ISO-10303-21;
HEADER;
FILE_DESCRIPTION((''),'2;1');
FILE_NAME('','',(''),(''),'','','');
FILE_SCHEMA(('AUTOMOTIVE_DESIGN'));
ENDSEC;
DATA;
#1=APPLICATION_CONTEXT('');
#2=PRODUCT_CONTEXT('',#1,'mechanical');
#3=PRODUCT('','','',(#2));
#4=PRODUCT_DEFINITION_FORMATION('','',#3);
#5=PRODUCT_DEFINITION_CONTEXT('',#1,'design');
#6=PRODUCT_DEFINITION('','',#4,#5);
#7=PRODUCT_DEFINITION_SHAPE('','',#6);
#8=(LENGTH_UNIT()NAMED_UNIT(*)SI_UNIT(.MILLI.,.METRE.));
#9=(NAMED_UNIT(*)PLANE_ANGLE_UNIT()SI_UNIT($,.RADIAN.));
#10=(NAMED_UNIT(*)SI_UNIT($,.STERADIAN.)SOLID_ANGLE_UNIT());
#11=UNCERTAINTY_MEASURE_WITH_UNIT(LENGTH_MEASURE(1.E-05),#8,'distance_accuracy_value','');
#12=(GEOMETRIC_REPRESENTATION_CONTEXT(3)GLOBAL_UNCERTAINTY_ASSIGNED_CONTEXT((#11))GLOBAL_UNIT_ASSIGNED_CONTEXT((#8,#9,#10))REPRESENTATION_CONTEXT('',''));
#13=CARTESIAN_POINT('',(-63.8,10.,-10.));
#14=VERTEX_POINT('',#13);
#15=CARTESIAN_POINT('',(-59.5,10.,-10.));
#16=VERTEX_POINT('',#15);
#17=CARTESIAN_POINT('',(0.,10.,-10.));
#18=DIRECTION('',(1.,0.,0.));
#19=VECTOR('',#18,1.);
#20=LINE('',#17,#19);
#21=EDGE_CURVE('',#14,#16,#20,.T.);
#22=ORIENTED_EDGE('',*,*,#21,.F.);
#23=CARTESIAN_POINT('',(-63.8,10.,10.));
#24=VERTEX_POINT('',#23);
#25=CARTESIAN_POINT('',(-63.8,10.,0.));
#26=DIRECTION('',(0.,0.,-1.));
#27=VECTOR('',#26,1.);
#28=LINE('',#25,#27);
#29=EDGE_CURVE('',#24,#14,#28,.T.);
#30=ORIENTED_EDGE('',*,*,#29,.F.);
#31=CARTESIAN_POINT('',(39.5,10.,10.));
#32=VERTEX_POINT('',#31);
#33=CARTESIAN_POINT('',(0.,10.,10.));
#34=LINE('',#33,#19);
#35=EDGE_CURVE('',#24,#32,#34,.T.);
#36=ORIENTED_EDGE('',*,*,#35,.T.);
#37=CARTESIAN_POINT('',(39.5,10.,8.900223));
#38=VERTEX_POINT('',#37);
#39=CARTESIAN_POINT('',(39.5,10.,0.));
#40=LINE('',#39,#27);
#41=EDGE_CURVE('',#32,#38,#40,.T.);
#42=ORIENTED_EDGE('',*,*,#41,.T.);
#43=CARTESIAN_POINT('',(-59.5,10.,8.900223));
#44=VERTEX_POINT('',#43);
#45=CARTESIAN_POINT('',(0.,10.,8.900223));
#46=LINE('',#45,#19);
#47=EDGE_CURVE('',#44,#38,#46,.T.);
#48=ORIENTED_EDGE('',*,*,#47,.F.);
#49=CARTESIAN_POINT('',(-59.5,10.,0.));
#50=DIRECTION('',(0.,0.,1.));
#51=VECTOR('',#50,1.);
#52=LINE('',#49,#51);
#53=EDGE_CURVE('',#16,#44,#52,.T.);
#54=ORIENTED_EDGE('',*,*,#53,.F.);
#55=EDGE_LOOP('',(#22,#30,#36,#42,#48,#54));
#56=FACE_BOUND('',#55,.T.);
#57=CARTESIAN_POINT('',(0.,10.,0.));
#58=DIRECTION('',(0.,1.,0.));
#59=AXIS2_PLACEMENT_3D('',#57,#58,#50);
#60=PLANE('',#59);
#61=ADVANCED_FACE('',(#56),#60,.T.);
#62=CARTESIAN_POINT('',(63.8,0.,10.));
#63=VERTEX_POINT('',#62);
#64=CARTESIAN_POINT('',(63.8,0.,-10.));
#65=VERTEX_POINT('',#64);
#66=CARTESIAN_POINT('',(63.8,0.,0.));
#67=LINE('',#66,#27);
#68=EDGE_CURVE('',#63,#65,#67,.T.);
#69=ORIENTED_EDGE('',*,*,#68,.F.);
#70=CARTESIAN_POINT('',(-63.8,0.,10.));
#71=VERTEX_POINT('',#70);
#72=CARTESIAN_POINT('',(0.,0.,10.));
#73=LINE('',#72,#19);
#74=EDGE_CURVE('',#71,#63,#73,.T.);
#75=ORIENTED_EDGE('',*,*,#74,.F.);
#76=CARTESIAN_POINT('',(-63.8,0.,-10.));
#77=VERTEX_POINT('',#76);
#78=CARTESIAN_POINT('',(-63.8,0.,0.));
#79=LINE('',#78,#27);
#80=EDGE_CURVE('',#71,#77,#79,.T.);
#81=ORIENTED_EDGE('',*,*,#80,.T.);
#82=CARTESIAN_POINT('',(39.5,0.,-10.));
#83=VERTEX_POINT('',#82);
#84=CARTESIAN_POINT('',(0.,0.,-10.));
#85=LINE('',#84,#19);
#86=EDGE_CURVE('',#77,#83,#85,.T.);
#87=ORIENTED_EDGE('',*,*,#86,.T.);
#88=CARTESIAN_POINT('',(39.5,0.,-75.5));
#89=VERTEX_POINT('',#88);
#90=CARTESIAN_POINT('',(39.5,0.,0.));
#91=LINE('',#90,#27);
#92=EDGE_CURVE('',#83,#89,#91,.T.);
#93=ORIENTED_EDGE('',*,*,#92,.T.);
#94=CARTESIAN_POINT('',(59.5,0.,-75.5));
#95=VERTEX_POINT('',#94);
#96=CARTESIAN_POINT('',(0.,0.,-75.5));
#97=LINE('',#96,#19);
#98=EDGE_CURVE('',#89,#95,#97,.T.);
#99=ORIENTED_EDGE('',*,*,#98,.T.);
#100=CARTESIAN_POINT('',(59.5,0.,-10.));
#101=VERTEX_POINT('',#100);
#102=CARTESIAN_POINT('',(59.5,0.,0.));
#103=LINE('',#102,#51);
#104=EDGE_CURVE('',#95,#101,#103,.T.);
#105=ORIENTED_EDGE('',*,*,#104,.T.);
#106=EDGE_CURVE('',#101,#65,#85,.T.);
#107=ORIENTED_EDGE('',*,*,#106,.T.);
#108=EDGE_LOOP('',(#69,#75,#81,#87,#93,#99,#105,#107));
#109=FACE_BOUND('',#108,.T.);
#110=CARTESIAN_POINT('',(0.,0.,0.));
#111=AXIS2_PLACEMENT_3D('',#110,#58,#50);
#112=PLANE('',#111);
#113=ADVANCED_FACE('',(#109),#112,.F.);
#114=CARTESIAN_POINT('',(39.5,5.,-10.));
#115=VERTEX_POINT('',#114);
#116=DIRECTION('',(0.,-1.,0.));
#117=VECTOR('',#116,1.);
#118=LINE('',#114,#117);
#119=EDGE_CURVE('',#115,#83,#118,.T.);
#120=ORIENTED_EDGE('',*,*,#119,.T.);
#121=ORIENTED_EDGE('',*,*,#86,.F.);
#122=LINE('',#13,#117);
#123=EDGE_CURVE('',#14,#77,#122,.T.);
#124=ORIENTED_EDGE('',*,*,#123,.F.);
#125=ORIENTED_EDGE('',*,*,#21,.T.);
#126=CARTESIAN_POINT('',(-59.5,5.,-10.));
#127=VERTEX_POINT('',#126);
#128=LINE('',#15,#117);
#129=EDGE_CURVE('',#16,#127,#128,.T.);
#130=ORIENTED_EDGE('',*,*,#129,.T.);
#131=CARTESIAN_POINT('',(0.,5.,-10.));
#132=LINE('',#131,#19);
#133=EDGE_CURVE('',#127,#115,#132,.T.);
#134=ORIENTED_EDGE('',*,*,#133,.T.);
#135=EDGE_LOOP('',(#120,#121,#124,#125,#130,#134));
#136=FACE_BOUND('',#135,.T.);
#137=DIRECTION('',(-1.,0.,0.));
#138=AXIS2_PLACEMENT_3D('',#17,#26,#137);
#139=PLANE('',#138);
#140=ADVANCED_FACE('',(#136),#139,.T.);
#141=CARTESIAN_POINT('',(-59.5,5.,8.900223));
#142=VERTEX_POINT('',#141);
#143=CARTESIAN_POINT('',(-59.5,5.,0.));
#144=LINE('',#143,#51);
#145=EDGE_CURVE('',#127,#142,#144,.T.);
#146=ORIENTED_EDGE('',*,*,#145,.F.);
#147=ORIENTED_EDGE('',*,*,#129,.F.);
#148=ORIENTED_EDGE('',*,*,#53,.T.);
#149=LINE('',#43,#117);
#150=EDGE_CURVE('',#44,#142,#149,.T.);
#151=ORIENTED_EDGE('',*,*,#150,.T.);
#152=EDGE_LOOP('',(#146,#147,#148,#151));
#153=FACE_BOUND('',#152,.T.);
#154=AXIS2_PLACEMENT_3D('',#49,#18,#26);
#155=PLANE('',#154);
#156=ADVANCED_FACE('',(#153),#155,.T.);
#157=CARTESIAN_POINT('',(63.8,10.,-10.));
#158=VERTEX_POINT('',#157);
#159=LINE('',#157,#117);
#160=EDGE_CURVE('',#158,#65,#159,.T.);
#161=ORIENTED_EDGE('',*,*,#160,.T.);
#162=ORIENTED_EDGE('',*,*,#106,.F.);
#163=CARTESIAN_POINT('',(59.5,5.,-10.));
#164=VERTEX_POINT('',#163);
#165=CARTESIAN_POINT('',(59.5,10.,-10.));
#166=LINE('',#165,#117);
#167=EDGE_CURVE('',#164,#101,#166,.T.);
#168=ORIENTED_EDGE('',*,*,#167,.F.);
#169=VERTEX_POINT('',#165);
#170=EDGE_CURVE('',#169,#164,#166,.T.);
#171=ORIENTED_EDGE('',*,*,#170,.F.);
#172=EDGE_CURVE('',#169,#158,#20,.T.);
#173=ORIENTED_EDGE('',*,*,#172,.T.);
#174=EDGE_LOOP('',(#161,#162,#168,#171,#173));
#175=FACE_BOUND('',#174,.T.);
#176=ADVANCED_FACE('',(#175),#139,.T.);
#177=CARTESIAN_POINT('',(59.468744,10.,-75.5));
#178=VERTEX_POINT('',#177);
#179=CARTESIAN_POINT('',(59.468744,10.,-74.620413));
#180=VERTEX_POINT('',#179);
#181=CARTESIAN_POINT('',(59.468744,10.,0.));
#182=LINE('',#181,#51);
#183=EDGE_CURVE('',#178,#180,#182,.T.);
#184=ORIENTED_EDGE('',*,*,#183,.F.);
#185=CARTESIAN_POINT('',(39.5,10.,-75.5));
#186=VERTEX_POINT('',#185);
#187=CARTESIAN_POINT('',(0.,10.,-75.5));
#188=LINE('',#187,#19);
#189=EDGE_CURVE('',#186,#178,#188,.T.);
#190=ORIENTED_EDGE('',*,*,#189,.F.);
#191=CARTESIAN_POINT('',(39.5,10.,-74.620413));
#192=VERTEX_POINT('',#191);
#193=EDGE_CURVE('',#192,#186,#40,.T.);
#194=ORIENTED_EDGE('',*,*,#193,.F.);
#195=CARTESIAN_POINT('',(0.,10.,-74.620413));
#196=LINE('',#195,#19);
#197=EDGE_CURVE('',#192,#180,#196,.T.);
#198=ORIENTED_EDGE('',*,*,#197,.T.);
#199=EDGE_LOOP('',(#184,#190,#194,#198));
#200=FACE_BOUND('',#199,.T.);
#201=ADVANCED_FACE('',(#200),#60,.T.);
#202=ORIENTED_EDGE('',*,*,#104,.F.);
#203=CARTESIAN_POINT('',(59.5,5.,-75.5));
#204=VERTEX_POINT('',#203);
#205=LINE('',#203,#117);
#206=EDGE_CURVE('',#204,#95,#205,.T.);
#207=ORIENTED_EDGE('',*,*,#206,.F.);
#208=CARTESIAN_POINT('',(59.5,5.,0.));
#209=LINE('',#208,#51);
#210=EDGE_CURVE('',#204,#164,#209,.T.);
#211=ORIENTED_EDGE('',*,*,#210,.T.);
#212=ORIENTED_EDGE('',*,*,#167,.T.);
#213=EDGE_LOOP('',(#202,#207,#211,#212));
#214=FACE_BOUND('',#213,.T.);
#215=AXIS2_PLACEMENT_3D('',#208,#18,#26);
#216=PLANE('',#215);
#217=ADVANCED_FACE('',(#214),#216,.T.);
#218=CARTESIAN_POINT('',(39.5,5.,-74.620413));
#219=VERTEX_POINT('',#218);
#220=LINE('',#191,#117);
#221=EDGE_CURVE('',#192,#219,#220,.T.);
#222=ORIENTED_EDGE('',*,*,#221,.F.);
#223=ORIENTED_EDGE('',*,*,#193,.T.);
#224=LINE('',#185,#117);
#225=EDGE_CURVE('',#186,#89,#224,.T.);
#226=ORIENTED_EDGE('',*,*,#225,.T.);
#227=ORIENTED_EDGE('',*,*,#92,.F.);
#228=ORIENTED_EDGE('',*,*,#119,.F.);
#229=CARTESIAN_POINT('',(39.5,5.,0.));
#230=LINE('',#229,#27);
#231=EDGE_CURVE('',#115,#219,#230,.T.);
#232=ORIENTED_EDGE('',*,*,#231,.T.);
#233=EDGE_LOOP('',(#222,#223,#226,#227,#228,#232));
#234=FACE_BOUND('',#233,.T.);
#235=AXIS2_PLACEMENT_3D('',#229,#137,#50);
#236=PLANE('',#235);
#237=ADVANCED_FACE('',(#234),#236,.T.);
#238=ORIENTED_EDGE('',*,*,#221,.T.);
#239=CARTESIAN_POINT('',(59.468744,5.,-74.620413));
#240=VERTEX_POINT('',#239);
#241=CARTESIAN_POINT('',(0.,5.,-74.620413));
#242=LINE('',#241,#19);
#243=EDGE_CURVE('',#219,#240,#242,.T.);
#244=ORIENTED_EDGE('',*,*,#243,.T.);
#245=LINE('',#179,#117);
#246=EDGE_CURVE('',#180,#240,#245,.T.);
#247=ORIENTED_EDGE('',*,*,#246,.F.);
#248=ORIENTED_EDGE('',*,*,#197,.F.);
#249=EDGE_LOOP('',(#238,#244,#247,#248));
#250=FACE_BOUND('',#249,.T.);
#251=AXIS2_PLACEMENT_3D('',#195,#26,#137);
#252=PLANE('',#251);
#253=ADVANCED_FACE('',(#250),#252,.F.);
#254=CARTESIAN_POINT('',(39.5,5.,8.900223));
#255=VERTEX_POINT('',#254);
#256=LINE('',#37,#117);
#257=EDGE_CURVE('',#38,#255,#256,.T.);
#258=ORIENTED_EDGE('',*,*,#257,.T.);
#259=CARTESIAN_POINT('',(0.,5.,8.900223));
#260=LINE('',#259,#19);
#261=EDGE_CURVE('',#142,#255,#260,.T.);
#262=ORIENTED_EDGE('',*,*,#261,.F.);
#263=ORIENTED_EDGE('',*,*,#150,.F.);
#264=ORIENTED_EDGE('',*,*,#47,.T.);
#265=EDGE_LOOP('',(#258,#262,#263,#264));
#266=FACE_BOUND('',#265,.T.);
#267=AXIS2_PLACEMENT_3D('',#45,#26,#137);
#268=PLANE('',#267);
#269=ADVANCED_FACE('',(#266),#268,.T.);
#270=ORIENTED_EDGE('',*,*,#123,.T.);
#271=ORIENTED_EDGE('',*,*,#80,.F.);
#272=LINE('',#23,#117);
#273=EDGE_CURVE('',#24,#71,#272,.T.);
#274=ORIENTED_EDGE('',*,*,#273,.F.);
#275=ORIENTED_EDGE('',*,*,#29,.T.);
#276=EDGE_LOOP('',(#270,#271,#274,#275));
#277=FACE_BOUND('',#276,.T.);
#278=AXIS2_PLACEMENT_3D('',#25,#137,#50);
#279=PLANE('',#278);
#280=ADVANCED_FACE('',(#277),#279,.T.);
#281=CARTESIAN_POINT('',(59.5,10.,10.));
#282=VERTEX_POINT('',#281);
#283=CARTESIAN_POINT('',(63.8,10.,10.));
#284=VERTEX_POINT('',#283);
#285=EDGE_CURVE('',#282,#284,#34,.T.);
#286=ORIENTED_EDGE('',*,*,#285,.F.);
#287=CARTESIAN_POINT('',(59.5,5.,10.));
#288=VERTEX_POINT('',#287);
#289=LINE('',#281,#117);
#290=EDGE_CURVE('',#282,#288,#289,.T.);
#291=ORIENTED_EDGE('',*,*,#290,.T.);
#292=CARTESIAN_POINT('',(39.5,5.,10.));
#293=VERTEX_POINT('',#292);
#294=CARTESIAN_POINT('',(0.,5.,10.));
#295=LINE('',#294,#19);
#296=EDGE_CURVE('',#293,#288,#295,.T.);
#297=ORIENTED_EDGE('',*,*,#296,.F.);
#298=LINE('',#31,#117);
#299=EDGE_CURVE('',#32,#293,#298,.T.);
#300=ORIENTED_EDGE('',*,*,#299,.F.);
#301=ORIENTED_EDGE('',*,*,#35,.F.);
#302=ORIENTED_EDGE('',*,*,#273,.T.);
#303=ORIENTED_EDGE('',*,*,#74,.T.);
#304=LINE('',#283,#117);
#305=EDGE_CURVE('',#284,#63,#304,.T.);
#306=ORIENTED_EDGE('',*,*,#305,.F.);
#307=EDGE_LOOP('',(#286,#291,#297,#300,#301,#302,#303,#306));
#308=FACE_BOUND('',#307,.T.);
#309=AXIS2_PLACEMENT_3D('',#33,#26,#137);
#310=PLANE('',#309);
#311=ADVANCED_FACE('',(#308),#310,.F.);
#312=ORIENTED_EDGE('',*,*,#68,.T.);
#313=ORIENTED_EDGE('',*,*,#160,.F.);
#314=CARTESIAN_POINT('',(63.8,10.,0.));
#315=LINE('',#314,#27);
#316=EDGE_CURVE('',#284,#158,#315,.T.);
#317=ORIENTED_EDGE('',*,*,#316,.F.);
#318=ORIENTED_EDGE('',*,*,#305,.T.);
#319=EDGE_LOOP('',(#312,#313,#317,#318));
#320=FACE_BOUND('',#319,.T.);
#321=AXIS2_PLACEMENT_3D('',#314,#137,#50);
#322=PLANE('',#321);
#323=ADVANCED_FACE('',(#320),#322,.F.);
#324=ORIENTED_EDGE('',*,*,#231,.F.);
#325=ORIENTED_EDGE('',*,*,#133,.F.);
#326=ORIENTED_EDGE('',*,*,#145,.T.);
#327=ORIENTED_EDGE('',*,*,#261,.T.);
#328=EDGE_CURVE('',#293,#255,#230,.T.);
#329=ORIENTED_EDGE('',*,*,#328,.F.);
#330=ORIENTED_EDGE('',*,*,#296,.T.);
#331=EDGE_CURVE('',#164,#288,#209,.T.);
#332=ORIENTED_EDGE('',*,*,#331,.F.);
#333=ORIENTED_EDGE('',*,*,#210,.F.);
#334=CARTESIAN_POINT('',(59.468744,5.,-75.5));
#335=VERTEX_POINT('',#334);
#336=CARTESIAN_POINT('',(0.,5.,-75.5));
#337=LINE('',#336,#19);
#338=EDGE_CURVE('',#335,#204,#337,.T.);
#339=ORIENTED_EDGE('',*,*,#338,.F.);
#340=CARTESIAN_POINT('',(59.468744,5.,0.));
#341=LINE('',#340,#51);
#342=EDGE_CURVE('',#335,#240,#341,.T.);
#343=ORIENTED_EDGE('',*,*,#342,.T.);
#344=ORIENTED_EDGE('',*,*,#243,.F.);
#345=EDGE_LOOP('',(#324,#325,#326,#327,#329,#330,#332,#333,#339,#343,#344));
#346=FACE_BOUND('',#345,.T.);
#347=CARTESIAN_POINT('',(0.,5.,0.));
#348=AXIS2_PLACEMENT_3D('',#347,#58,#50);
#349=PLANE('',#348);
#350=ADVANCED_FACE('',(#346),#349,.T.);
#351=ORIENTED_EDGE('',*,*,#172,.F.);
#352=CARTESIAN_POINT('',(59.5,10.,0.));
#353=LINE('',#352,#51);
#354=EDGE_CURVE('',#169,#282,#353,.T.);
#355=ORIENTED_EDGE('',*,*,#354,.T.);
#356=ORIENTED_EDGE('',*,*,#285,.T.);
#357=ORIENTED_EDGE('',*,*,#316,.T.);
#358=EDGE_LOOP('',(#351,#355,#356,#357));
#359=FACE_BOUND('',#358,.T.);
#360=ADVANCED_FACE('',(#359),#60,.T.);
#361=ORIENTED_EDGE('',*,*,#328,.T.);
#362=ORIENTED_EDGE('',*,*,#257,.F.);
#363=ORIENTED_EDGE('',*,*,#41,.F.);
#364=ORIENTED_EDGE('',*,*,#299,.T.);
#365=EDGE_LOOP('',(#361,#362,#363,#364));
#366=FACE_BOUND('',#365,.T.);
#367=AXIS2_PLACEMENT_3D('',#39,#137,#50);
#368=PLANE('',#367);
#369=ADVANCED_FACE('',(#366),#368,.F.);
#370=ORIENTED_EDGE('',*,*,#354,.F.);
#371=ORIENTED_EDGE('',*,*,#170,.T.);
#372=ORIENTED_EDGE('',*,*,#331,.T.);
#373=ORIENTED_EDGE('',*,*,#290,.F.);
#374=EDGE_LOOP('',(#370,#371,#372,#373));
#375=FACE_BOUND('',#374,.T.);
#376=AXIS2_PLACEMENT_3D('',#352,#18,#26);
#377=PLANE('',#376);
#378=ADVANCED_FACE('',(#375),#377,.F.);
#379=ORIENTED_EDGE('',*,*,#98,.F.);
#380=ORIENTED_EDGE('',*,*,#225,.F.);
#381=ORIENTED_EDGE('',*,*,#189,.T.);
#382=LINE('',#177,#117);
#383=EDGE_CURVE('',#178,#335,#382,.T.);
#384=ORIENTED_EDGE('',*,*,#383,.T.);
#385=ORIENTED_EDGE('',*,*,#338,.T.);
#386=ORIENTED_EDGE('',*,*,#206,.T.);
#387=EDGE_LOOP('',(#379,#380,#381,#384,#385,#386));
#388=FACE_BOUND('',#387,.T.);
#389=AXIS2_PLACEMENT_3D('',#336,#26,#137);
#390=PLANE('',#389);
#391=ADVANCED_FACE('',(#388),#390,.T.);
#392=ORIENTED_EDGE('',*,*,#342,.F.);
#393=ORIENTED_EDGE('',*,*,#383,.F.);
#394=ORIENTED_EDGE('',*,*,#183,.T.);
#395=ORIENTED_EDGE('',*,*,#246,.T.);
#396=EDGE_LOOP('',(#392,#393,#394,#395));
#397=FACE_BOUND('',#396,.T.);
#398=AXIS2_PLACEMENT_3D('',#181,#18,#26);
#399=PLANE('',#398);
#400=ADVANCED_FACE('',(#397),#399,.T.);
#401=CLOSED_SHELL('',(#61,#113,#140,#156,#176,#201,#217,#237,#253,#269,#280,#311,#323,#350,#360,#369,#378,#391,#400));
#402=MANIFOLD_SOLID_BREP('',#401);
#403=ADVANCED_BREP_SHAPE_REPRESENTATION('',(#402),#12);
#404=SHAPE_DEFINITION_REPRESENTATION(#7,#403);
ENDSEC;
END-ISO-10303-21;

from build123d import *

# Parameters (mm, degrees)
EXTRUDE_6_DEPTH   = 10
SKETCH_1_W        = 4.3
SKETCH_1_H        = 20
EXTRUDE_6_2_DEPTH = 10
SKETCH_1_W_2      = 19.968743504
SKETCH_1_H_2      = 0.87958721
EXTRUDE_6_3_DEPTH = 10
EXTRUDE_7_DEPTH   = 5


with BuildPart() as part:
    # 草图1 → 凸台-拉伸6 (new body)
    with BuildSketch(Plane(origin=(0, 0, 0), x_dir=(1, 0, 0), z_dir=(0, 1, 0))):
        Polygon((-63.8, 10), (-63.8, -10), (39.5, -10), (39.5, -8.900223152), (-59.5, -8.900223152), (-59.5, 10), align=None)
    extrude(amount=EXTRUDE_6_DEPTH)



with BuildPart() as body_2:
    # 草图1 → Extrude 6 2 (new body)
    with BuildSketch(Plane(origin=(0, 0, 0), x_dir=(1, 0, 0), z_dir=(0, 1, 0))):
        with Locations((61.65, 0)):
            Rectangle(SKETCH_1_W, SKETCH_1_H)
    extrude(amount=EXTRUDE_6_2_DEPTH)


with BuildPart() as body_3:
    # 草图1 → Extrude 6 3 (new body)
    with BuildSketch(Plane(origin=(0, 0, 0), x_dir=(1, 0, 0), z_dir=(0, 1, 0))):
        with Locations((49.484371752, 75.060206395)):
            Rectangle(SKETCH_1_W_2, SKETCH_1_H_2)
    extrude(amount=EXTRUDE_6_3_DEPTH)


with BuildPart() as part_1:
    add(part.part)

    add(body_2.part)  # 凸台-拉伸7 merges body 2

    add(body_3.part)  # 凸台-拉伸7 merges body 3
    # 草图1<15> → 凸台-拉伸7 (add)
    with BuildSketch(Plane(origin=(0, 0, 0), x_dir=(1, 0, 0), z_dir=(0, 1, 0))):
        Polygon((39.5, -8.900223152), (39.5, -10), (59.5, -10), (59.5, 75.5), (59.468743504, 75.5), (59.468743504, 74.62041279), (39.5, 74.62041279), (39.5, 10), (-59.5, 10), (-59.5, -8.900223152), align=None)
    extrude(amount=EXTRUDE_7_DEPTH)


solid = part_1.part
